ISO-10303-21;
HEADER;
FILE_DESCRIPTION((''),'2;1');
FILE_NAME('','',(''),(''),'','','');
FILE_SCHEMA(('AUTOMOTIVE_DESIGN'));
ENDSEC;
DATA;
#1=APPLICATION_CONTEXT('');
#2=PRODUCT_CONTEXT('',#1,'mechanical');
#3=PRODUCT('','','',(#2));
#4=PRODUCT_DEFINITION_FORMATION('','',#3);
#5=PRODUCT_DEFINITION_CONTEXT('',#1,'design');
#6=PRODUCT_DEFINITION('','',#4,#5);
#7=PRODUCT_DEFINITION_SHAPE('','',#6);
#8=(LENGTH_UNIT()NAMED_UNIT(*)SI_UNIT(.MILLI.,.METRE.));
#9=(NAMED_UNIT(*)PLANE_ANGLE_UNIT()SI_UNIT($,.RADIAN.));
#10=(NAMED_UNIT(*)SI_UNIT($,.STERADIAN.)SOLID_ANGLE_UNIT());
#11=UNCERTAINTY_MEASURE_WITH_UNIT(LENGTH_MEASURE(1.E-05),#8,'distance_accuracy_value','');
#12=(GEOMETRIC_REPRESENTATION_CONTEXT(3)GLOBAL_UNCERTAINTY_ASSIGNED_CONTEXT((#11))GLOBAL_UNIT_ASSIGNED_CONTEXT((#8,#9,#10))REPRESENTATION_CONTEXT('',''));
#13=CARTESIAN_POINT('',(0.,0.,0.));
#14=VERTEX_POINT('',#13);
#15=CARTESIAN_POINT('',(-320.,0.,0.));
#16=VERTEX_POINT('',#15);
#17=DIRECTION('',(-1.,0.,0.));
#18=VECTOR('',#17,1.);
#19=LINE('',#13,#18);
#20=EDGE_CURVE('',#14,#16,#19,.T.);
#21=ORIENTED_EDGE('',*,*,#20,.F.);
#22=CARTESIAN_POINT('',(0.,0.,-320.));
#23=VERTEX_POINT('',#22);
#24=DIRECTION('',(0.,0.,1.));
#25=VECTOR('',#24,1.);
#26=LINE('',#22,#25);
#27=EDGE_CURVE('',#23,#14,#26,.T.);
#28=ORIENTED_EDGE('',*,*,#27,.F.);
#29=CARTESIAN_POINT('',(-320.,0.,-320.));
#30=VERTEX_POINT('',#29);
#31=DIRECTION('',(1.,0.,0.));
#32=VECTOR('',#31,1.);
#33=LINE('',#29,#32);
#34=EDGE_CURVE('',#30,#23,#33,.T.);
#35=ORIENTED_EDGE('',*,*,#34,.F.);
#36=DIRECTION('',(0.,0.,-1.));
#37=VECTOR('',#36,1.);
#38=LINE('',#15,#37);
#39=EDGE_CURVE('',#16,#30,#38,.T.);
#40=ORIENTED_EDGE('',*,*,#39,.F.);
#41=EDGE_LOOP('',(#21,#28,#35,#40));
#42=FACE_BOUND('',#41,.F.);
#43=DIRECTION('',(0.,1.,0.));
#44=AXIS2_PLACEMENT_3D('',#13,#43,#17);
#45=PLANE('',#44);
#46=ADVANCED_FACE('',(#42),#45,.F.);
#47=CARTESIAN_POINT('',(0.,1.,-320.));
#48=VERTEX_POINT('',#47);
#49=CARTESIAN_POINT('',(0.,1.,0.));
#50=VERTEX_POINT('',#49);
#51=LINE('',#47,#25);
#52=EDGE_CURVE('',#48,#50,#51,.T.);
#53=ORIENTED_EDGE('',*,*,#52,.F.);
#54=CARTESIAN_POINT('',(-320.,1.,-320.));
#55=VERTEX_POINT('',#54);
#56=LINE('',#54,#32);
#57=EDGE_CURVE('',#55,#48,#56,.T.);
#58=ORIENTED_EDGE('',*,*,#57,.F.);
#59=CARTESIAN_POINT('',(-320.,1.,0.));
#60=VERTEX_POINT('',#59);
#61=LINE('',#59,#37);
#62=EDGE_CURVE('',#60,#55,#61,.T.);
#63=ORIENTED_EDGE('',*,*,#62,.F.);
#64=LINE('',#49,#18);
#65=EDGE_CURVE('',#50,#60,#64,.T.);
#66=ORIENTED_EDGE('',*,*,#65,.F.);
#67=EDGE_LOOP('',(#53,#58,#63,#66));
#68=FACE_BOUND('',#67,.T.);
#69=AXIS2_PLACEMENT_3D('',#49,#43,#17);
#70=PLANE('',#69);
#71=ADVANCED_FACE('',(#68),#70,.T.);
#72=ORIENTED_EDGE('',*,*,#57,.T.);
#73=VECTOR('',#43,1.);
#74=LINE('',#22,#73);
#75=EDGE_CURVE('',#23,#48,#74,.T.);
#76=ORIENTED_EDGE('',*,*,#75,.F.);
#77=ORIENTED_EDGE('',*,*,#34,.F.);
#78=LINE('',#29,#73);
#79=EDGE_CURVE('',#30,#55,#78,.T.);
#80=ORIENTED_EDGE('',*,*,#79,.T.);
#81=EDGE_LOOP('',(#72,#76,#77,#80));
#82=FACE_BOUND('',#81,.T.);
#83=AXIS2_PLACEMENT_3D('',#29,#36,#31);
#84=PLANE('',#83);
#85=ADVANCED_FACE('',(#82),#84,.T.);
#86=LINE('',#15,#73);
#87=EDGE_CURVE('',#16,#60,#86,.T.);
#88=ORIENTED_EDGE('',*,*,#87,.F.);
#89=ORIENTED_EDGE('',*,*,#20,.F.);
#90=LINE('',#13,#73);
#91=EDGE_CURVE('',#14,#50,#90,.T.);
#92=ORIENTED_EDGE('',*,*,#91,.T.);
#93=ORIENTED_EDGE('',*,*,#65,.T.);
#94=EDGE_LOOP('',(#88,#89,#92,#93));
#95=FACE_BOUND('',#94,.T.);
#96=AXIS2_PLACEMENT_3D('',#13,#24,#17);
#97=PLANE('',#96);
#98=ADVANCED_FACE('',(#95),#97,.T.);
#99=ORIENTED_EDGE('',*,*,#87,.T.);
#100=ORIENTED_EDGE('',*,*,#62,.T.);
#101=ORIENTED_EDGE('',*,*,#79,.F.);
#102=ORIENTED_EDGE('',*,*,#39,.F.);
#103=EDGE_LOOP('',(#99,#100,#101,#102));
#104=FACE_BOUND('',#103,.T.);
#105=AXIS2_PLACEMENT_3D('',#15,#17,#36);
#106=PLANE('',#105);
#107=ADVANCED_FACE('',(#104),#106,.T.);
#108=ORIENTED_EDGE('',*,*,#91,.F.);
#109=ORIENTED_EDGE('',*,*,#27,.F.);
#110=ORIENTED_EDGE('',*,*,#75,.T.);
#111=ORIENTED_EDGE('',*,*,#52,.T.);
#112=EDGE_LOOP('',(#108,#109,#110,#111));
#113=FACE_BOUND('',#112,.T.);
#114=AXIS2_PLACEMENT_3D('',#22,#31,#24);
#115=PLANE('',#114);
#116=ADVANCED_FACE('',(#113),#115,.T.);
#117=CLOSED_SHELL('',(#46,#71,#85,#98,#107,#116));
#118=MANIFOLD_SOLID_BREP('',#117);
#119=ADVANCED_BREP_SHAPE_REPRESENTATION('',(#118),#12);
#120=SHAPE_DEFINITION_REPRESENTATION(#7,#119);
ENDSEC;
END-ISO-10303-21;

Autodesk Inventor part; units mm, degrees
ref_plane "YZ Plane" through (0, 0, 0) normal (1, 0, 0) x (0, 1, 0)
ref_plane "XZ Plane" through (0, 0, 0) normal (0, 1, 0) x (-1, 0, 0)
ref_plane "XY Plane" through (0, 0, 0) normal (0, 0, 1) x (1, 0, 0)
sketch "Sketch1" plane through (0, 0, 0) normal (0, 1, 0) x (-1, 0, 0)
  line L0 (0, 0) -> (320, 0)
  line L1 (320, 0) -> (320, -320)
  line L2 (320, -320) -> (0, -320)
  line L3 (0, -320) -> (0, 0)
  dimension "d0" = 320
  dimension "d1" = 320
extrude "Extrusion1" add sketch "Sketch1" along normal blind 1
properties part number "Manual_Robot_Size_Base"
